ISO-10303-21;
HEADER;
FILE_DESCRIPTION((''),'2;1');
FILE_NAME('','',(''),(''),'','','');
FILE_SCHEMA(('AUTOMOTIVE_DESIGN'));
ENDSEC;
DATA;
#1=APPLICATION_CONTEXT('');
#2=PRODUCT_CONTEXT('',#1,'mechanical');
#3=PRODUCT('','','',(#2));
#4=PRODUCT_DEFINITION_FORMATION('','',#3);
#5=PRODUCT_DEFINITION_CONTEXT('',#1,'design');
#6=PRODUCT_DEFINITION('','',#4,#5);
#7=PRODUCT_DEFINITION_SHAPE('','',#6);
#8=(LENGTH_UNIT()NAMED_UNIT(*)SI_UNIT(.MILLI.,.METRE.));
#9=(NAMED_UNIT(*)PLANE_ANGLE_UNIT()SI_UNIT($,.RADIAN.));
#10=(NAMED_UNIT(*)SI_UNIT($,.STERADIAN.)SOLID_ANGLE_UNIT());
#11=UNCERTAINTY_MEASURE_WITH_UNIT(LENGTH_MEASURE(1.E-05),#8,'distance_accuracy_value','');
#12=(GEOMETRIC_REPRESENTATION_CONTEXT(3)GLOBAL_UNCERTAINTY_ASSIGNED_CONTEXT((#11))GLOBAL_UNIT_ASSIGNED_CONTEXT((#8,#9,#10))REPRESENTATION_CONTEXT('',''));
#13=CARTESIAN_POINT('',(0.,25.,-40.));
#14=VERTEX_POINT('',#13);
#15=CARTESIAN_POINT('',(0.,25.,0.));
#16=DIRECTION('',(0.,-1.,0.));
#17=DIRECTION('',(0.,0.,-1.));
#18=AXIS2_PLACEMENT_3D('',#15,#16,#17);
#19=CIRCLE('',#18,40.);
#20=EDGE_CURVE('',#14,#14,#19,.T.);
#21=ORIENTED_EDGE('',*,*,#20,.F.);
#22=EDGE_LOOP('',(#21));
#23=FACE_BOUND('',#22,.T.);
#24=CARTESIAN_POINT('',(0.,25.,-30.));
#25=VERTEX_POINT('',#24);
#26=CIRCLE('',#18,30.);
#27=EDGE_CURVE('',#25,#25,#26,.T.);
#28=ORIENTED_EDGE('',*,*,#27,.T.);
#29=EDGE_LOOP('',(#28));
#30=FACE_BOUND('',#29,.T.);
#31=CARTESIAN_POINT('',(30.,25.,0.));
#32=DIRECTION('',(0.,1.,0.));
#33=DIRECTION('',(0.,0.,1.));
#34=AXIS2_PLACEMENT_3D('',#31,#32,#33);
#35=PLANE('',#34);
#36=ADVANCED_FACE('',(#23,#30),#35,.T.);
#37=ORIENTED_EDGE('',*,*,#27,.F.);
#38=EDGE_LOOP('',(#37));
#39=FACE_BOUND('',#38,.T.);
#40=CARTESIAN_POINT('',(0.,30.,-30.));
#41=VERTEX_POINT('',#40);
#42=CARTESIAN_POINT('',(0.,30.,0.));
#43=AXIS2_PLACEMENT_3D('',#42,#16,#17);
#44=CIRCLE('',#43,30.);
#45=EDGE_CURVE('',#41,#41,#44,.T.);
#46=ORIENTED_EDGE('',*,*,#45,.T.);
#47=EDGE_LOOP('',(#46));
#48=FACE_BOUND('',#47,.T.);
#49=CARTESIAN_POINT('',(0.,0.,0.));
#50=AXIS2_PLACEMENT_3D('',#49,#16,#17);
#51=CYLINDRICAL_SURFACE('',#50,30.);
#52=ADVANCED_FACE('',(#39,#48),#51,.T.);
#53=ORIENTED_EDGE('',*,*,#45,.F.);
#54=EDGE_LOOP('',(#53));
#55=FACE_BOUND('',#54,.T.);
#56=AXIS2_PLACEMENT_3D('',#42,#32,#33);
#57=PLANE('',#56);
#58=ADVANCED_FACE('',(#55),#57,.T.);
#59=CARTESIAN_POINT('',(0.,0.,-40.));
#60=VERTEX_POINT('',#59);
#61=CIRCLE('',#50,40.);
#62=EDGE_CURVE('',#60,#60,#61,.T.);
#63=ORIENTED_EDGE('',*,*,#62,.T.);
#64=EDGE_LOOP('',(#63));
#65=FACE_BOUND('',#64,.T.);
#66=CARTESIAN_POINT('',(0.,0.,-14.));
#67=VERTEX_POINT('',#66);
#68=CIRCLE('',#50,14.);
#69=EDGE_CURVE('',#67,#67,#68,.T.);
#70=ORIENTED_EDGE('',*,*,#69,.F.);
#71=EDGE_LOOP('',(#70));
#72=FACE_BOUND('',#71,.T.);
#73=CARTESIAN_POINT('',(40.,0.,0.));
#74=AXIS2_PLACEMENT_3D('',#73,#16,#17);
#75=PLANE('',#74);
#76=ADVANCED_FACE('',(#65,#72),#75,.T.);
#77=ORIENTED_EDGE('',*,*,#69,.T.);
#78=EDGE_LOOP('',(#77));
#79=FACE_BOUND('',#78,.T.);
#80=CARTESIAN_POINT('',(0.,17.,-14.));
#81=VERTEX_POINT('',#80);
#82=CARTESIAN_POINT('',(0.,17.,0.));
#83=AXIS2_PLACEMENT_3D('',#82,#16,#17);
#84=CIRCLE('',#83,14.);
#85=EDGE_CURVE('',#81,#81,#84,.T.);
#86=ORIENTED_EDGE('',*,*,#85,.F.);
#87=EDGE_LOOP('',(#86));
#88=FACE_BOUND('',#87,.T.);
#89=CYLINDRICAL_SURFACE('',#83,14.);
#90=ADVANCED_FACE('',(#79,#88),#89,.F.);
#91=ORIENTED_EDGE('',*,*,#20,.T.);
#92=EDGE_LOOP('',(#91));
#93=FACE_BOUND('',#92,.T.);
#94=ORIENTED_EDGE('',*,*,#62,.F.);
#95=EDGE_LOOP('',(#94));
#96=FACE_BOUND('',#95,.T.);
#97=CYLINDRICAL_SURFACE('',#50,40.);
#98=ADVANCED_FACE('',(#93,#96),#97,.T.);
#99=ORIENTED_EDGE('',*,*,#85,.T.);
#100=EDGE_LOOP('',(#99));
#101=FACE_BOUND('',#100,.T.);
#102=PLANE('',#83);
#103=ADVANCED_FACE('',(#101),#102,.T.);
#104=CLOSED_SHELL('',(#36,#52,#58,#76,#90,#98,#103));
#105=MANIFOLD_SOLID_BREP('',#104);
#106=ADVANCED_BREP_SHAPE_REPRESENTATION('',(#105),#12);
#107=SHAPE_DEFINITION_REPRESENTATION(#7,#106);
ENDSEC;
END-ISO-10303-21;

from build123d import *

# Parameters (mm, degrees)
SKETCH2_R          = 14
CUT_EXTRUDE1_DEPTH = 17


with BuildPart() as part:
    # Sketch1 → Revolve1 (revolve)
    with BuildSketch(Plane.XY):
        Polygon((0, 0), (0, 30), (30, 30), (30, 25), (40, 25), (40, 0), align=None)
    revolve(axis=Axis((0, 0, 0), (0, 1, 0)))

    # Sketch2 → Cut-Extrude1 (cut)
    with BuildSketch(Plane.XZ):
        Circle(SKETCH2_R)
    extrude(amount=-CUT_EXTRUDE1_DEPTH, mode=Mode.SUBTRACT)


solid = part.part
